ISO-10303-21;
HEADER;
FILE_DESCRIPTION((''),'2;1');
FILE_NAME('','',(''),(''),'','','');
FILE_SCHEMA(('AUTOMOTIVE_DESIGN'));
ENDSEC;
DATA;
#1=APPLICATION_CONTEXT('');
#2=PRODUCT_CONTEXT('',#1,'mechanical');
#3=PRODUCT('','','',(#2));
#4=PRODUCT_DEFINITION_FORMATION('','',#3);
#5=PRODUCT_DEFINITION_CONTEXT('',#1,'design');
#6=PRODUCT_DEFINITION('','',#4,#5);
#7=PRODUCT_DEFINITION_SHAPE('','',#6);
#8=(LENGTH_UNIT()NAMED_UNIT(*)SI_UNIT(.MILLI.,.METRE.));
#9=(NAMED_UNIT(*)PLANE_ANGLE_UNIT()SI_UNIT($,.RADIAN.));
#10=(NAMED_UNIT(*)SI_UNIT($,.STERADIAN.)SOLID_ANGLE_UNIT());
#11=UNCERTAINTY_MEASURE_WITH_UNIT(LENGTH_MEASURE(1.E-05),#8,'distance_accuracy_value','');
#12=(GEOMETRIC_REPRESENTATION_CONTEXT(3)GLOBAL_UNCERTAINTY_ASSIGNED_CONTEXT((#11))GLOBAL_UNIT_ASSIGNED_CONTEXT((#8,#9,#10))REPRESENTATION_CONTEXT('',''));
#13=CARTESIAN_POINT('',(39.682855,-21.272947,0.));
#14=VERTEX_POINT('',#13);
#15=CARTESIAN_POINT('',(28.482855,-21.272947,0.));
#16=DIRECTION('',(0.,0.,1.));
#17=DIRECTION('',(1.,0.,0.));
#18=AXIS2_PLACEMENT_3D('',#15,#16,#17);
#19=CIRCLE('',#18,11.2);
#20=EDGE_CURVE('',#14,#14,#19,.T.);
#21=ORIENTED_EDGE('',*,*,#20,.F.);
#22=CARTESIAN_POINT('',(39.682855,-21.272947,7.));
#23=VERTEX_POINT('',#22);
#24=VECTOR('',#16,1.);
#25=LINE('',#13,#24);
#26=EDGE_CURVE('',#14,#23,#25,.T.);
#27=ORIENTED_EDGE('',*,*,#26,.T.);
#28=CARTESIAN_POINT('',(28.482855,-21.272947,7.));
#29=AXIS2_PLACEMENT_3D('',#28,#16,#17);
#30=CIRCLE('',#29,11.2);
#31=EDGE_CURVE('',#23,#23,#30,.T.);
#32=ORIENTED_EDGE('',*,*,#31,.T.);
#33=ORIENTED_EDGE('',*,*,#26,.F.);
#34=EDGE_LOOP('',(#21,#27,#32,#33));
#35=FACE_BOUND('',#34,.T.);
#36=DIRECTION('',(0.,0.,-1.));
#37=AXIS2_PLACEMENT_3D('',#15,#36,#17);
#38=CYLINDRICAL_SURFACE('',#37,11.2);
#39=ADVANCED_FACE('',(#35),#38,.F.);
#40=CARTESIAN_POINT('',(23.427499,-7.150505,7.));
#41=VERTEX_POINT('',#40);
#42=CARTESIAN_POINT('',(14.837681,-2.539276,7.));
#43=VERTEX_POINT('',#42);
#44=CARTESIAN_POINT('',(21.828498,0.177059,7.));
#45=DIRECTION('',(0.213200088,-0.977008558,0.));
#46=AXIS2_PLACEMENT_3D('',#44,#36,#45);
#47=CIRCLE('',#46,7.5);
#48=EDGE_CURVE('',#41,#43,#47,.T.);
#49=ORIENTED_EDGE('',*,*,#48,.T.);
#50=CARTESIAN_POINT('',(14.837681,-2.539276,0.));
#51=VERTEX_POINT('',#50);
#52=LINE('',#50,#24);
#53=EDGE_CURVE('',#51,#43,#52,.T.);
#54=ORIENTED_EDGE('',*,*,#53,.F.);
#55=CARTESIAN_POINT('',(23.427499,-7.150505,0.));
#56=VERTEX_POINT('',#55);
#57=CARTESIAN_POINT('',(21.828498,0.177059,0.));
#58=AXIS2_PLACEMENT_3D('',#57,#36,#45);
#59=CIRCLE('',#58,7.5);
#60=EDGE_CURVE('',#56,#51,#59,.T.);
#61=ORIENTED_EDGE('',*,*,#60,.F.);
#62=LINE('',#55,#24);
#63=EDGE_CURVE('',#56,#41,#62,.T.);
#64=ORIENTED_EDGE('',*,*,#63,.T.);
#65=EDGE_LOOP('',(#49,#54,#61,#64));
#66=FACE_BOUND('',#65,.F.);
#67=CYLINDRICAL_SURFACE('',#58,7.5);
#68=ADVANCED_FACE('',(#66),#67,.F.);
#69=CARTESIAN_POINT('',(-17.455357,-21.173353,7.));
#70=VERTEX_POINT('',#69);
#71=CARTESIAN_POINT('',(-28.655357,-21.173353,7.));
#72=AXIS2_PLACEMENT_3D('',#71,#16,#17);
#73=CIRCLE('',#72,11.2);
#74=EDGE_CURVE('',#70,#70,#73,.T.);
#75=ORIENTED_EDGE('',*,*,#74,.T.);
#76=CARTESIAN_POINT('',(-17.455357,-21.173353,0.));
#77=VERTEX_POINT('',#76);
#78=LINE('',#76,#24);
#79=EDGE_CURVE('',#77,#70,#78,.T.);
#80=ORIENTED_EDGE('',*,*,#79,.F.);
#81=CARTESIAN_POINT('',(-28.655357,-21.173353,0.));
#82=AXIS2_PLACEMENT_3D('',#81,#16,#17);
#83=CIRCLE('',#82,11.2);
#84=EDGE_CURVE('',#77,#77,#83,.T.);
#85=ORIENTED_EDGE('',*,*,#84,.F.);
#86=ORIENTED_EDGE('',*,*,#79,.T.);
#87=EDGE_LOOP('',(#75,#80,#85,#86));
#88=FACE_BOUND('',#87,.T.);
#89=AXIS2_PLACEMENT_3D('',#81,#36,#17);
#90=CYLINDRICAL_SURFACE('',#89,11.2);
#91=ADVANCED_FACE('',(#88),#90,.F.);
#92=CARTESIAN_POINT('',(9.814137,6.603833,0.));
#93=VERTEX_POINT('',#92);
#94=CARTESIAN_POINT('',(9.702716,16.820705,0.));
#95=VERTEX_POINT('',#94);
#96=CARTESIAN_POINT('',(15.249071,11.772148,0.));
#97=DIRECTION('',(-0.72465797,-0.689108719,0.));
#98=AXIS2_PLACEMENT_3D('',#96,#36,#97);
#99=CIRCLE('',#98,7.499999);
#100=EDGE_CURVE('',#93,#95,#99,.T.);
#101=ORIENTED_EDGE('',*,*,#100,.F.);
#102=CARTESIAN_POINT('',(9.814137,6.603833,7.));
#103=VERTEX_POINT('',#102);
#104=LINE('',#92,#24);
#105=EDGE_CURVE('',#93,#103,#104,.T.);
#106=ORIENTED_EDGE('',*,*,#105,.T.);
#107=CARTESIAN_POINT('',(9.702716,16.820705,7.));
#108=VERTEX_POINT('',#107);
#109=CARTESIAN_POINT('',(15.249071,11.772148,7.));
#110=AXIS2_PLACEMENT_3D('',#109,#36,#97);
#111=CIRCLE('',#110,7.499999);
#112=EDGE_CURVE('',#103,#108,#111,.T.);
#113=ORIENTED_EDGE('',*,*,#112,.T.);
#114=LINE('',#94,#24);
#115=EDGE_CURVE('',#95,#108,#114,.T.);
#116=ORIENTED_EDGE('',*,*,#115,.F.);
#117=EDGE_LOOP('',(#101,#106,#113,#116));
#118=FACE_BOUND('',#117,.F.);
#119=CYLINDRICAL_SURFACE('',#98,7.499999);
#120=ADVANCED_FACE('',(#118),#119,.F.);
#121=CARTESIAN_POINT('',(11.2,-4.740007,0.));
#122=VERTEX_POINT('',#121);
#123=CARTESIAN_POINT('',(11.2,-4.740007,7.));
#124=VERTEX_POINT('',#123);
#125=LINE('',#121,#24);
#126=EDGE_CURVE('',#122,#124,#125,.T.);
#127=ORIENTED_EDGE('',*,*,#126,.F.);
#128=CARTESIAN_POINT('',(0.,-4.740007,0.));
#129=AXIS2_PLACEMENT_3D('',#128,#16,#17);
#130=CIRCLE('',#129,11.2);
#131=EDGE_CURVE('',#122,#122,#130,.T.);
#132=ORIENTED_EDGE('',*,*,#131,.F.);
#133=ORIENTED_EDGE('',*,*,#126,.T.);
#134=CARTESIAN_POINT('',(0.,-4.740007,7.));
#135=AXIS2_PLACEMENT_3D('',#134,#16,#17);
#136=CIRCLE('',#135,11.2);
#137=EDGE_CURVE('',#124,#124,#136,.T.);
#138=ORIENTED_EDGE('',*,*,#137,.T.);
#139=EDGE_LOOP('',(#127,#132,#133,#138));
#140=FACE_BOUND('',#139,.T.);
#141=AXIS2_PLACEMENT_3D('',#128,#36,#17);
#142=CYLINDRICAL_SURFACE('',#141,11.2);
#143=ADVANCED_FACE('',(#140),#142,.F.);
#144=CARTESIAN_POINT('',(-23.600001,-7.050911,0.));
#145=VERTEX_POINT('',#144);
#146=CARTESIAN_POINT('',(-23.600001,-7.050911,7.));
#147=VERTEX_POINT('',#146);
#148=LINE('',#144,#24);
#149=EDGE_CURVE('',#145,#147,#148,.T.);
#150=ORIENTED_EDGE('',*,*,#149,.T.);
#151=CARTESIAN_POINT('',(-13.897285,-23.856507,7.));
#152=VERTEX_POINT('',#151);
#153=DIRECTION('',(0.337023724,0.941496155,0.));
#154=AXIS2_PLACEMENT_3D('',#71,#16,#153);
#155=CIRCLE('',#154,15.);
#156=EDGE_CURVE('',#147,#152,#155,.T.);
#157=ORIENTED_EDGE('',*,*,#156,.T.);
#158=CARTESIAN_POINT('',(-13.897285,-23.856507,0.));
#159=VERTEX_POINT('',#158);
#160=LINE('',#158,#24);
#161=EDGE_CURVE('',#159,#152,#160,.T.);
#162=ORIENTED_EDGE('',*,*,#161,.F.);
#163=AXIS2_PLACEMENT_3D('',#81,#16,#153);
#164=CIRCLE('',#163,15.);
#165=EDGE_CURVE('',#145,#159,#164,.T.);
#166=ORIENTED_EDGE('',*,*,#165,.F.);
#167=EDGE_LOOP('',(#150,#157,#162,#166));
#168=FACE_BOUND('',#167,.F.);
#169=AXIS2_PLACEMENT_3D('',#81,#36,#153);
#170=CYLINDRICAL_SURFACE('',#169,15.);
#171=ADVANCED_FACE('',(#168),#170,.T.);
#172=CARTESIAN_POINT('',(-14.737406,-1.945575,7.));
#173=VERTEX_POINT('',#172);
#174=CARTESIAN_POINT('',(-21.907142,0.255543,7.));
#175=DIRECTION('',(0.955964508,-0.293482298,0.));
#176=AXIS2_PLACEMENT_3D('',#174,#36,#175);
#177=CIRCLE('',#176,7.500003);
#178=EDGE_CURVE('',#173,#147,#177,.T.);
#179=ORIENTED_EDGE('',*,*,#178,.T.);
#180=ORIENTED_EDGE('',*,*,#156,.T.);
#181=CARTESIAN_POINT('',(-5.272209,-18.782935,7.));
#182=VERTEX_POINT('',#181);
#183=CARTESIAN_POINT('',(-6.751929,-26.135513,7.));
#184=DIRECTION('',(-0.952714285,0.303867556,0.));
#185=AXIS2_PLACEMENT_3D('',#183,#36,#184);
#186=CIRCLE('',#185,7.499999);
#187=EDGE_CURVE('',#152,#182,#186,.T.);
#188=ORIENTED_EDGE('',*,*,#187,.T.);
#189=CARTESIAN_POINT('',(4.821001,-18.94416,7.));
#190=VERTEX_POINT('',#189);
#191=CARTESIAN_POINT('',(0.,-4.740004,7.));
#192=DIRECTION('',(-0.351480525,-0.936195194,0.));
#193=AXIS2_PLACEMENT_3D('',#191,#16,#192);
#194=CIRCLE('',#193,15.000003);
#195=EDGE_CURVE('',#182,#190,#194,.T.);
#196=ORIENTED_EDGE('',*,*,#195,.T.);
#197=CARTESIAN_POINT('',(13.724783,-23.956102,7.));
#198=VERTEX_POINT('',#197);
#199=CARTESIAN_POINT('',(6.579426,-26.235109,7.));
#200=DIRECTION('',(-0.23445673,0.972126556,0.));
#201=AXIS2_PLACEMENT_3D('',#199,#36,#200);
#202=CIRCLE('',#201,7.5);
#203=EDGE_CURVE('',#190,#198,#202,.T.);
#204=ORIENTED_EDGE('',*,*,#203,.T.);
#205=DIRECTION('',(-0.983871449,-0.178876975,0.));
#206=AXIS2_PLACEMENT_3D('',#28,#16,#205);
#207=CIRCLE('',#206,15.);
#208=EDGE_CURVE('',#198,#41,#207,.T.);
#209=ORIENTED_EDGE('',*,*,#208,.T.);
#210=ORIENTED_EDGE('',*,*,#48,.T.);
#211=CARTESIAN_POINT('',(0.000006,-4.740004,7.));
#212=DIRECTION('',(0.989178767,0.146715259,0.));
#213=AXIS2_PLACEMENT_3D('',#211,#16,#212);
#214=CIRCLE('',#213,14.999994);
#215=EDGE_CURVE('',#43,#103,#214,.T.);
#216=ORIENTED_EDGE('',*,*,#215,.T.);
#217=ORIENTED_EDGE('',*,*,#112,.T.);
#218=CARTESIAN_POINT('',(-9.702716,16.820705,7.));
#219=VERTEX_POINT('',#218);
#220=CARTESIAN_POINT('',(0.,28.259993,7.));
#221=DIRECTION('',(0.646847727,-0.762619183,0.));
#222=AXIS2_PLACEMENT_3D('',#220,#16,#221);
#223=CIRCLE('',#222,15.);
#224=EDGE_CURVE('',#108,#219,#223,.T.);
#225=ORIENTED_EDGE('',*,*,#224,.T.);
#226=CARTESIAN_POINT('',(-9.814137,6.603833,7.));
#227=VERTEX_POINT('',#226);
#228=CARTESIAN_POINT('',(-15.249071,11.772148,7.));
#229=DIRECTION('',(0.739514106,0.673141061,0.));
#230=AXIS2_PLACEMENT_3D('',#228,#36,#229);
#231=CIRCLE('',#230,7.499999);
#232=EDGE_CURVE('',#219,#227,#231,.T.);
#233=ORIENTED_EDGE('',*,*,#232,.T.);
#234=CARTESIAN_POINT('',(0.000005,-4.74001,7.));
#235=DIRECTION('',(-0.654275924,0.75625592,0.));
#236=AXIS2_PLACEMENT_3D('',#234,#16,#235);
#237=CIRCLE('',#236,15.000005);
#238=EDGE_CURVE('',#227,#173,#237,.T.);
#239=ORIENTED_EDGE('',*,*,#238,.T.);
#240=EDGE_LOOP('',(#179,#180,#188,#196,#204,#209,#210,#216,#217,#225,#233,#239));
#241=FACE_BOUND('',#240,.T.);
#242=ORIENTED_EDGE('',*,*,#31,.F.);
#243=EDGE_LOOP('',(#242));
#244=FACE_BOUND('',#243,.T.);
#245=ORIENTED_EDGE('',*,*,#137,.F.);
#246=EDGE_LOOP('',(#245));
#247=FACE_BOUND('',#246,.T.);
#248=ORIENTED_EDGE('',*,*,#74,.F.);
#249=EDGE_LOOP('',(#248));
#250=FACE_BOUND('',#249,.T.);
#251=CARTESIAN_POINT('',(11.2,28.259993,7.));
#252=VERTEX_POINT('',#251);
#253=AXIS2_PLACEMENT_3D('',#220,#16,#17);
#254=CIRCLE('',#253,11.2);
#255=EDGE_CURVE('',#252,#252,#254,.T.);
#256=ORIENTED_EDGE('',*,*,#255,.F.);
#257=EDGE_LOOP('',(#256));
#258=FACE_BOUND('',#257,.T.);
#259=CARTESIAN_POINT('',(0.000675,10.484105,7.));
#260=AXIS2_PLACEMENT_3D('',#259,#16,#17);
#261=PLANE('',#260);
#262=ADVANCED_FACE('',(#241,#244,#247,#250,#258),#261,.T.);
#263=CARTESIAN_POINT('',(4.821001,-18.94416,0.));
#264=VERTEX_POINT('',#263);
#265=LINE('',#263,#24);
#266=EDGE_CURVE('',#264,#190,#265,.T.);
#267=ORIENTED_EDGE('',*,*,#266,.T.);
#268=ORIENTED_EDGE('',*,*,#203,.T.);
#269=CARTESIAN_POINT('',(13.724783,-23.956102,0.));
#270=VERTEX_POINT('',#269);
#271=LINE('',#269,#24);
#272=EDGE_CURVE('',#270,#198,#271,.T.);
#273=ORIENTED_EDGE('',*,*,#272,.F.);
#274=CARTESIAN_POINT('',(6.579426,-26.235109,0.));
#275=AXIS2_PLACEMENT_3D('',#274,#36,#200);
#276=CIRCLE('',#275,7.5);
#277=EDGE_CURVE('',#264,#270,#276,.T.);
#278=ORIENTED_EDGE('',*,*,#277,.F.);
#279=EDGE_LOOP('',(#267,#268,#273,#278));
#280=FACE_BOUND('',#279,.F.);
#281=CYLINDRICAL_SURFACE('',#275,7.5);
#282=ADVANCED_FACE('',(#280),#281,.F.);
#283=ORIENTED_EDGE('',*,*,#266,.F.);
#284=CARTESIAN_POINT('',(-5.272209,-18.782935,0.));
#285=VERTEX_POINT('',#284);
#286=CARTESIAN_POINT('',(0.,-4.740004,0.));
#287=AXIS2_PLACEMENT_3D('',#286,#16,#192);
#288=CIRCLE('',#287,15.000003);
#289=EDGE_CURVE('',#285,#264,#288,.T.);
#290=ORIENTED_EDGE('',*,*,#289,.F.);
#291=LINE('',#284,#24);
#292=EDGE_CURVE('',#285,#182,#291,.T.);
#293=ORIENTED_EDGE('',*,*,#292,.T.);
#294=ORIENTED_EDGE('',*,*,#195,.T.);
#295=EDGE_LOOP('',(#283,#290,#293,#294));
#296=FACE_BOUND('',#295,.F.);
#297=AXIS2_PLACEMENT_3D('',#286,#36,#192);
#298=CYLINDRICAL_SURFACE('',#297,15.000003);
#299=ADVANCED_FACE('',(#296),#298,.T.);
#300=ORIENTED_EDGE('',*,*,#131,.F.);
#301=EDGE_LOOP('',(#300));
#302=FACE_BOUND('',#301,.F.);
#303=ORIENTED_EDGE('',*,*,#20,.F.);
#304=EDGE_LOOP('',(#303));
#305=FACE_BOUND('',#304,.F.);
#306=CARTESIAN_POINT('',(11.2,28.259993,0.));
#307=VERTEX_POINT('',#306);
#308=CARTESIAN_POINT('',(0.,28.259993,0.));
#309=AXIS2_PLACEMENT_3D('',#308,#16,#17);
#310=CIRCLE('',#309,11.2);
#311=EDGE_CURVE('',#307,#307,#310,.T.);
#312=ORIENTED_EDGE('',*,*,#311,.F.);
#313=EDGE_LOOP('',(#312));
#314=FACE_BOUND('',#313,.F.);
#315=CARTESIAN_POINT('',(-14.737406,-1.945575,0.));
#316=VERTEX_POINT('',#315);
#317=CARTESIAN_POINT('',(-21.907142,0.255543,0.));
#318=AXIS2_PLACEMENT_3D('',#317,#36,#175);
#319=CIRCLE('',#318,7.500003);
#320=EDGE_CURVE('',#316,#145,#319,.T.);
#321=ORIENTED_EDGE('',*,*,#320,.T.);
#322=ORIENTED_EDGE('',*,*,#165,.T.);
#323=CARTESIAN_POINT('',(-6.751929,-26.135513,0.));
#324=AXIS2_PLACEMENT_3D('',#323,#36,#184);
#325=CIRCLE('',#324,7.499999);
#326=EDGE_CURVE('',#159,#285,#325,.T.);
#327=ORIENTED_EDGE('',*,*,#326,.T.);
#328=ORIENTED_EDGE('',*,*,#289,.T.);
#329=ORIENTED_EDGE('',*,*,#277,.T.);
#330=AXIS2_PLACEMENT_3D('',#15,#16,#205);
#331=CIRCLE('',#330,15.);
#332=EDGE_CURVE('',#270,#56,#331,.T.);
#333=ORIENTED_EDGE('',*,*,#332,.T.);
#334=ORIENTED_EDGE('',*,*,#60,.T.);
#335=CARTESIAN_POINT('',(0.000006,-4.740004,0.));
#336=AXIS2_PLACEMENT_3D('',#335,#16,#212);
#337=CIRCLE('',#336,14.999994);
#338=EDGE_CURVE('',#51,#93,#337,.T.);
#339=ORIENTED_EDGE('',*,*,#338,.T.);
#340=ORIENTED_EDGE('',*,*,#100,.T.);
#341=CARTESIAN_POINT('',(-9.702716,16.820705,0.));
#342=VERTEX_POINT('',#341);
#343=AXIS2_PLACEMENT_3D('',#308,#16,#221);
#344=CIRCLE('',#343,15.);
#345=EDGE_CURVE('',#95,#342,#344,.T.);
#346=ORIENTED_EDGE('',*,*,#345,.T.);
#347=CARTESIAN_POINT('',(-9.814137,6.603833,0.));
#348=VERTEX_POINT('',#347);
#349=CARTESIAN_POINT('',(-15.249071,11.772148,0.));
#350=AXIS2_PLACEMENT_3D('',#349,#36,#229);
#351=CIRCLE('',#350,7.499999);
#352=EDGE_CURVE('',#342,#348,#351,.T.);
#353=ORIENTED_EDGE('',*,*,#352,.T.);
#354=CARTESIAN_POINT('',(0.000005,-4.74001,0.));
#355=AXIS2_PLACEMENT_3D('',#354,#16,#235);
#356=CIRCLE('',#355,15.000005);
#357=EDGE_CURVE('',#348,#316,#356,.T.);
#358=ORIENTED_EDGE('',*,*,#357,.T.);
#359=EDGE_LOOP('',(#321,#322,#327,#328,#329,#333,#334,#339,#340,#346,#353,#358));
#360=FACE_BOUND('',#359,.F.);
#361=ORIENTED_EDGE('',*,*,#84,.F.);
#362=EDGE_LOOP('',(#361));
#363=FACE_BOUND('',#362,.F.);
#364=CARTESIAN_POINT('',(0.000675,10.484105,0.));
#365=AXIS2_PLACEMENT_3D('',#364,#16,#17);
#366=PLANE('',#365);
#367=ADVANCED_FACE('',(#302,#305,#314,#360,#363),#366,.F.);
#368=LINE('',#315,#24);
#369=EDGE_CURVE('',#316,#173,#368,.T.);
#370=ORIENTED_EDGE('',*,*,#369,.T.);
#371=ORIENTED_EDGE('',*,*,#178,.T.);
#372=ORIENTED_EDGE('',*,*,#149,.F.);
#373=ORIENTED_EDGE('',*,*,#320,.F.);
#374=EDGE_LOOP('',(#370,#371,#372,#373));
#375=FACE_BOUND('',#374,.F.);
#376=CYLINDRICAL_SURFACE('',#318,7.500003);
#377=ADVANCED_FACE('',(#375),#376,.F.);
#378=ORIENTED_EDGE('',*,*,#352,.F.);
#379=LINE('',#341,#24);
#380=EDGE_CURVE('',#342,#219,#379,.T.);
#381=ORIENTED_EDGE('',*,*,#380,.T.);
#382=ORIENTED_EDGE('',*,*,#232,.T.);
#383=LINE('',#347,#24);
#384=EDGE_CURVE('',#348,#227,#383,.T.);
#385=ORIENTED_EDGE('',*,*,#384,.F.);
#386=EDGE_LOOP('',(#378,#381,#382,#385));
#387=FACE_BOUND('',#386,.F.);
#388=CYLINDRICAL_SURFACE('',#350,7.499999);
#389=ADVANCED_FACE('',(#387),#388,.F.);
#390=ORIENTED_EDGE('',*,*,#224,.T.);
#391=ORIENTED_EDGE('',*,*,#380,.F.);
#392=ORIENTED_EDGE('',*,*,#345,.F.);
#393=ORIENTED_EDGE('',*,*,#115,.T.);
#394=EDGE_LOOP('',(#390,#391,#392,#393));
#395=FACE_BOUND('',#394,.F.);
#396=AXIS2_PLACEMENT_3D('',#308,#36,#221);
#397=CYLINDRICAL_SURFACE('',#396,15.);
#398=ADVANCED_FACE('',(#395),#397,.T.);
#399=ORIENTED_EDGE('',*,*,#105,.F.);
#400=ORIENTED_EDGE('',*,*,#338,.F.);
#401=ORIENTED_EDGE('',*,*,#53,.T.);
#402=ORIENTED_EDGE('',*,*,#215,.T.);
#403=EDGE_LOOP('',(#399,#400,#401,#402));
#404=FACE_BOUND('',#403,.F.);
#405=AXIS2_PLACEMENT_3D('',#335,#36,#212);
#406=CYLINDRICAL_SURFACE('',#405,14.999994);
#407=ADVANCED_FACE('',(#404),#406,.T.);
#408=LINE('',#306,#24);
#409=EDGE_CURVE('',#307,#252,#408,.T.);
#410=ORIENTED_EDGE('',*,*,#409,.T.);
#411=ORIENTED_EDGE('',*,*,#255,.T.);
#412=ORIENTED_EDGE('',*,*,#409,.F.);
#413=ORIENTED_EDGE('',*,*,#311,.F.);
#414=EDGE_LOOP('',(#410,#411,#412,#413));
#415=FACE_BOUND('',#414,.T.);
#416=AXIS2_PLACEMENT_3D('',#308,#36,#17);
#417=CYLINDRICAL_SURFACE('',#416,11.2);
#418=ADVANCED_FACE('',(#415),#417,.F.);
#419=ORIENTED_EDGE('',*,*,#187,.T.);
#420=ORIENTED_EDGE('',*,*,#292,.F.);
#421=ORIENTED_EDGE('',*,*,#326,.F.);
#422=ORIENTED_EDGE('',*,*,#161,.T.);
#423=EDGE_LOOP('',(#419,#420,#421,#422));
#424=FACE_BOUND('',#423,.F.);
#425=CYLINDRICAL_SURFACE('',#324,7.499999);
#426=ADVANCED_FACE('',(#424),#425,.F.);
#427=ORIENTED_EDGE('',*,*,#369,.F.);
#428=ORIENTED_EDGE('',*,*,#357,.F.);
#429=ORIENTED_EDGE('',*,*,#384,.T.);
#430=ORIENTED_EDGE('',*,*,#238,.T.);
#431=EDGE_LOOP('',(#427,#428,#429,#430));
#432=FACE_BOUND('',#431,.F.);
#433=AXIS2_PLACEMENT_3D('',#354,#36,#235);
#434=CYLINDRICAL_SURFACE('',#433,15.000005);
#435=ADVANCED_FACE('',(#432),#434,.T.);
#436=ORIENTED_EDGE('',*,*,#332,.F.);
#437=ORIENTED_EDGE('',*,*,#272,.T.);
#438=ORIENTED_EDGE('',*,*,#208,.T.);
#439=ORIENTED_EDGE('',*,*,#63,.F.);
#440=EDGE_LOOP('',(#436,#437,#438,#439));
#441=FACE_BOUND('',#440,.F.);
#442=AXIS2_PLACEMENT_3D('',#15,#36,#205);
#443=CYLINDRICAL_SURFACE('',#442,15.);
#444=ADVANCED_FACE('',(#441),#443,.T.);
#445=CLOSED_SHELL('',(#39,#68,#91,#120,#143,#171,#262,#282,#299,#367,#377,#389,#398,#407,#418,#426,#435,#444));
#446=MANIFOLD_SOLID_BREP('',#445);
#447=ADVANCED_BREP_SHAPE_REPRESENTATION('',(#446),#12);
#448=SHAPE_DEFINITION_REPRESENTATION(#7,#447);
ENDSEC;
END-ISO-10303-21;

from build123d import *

# Parameters (mm, degrees)
F0_R     = 11.2
F1_DEPTH = 7
F2_DEPTH = 7


with BuildPart() as f1:
    # F0 (on Top) → F1 (new body)
    with BuildSketch(Plane.XY):
        with BuildLine():
            ThreePointArc((9.814137, 6.603833), (7.749518, 11.690361), (9.702716, 16.820705))
            ThreePointArc((9.702716, 16.820705), (0, 43.259993), (-9.702716, 16.820705))
            ThreePointArc((-9.702716, 16.820705), (-7.749518, 11.690361), (-9.814137, 6.603833))
            ThreePointArc((-9.814137, 6.603833), (-12.998756, 2.745467), (-14.737406, -1.945575))
            ThreePointArc((-14.737406, -1.945575), (-13.075563, -12.090494), (-5.272209, -18.782935))
            ThreePointArc((-5.272209, -18.782935), (-0.239573, -19.738094), (4.821001, -18.94416))
            ThreePointArc((4.821001, -18.94416), (12.802187, -12.556912), (14.837681, -2.539276))
            ThreePointArc((14.837681, -2.539276), (13.146374, 2.483071), (9.814137, 6.603833))
        make_face()
        with Locations((0, -4.740007)):
            Circle(F0_R, mode=Mode.SUBTRACT)
        with Locations((0, 28.259993)):
            Circle(F0_R, mode=Mode.SUBTRACT)
    extrude(amount=F1_DEPTH)

    # F0 (on Top) → F2 (join)
    with BuildSketch(Plane.XY):
        with BuildLine():
            ThreePointArc((9.814137, 6.603833), (7.749518, 11.690361), (9.702716, 16.820705))
            ThreePointArc((9.702716, 16.820705), (0, 43.259993), (-9.702716, 16.820705))
            ThreePointArc((-9.702716, 16.820705), (-7.749518, 11.690361), (-9.814137, 6.603833))
            ThreePointArc((-9.814137, 6.603833), (-12.998756, 2.745467), (-14.737406, -1.945575))
            ThreePointArc((-14.737406, -1.945575), (-13.075563, -12.090494), (-5.272209, -18.782935))
            ThreePointArc((-5.272209, -18.782935), (-0.239573, -19.738094), (4.821001, -18.94416))
            ThreePointArc((4.821001, -18.94416), (12.802187, -12.556912), (14.837681, -2.539276))
            ThreePointArc((14.837681, -2.539276), (13.146374, 2.483071), (9.814137, 6.603833))
        make_face()
        with Locations((0, -4.740007)):
            Circle(F0_R, mode=Mode.SUBTRACT)
        with Locations((0, 28.259993)):
            Circle(F0_R, mode=Mode.SUBTRACT)
        with BuildLine():
            ThreePointArc((23.427499, -7.150505), (18.281136, -6.430983), (14.837681, -2.539276))
            ThreePointArc((14.837681, -2.539276), (12.802187, -12.556912), (4.821001, -18.94416))
            ThreePointArc((4.821001, -18.94416), (10.258373, -19.699411), (13.724783, -23.956102))
            ThreePointArc((13.724783, -23.956102), (41.473236, -28.772947), (23.427499, -7.150505))
        make_face()
        with Locations((28.482855, -21.272947)):
            Circle(F0_R, mode=Mode.SUBTRACT)
        with BuildLine():
            ThreePointArc((-5.272209, -18.782935), (-13.075563, -12.090494), (-14.737406, -1.945575))
            ThreePointArc((-14.737406, -1.945575), (-18.16346, -6.243294), (-23.600001, -7.050911))
            ThreePointArc((-23.600001, -7.050911), (-41.645738, -28.673353), (-13.897285, -23.856507))
            ThreePointArc((-13.897285, -23.856507), (-10.554578, -19.671007), (-5.272209, -18.782935))
        make_face()
        with Locations((-28.655357, -21.173353)):
            Circle(F0_R, mode=Mode.SUBTRACT)
    extrude(amount=F2_DEPTH)


solid = f1.part
